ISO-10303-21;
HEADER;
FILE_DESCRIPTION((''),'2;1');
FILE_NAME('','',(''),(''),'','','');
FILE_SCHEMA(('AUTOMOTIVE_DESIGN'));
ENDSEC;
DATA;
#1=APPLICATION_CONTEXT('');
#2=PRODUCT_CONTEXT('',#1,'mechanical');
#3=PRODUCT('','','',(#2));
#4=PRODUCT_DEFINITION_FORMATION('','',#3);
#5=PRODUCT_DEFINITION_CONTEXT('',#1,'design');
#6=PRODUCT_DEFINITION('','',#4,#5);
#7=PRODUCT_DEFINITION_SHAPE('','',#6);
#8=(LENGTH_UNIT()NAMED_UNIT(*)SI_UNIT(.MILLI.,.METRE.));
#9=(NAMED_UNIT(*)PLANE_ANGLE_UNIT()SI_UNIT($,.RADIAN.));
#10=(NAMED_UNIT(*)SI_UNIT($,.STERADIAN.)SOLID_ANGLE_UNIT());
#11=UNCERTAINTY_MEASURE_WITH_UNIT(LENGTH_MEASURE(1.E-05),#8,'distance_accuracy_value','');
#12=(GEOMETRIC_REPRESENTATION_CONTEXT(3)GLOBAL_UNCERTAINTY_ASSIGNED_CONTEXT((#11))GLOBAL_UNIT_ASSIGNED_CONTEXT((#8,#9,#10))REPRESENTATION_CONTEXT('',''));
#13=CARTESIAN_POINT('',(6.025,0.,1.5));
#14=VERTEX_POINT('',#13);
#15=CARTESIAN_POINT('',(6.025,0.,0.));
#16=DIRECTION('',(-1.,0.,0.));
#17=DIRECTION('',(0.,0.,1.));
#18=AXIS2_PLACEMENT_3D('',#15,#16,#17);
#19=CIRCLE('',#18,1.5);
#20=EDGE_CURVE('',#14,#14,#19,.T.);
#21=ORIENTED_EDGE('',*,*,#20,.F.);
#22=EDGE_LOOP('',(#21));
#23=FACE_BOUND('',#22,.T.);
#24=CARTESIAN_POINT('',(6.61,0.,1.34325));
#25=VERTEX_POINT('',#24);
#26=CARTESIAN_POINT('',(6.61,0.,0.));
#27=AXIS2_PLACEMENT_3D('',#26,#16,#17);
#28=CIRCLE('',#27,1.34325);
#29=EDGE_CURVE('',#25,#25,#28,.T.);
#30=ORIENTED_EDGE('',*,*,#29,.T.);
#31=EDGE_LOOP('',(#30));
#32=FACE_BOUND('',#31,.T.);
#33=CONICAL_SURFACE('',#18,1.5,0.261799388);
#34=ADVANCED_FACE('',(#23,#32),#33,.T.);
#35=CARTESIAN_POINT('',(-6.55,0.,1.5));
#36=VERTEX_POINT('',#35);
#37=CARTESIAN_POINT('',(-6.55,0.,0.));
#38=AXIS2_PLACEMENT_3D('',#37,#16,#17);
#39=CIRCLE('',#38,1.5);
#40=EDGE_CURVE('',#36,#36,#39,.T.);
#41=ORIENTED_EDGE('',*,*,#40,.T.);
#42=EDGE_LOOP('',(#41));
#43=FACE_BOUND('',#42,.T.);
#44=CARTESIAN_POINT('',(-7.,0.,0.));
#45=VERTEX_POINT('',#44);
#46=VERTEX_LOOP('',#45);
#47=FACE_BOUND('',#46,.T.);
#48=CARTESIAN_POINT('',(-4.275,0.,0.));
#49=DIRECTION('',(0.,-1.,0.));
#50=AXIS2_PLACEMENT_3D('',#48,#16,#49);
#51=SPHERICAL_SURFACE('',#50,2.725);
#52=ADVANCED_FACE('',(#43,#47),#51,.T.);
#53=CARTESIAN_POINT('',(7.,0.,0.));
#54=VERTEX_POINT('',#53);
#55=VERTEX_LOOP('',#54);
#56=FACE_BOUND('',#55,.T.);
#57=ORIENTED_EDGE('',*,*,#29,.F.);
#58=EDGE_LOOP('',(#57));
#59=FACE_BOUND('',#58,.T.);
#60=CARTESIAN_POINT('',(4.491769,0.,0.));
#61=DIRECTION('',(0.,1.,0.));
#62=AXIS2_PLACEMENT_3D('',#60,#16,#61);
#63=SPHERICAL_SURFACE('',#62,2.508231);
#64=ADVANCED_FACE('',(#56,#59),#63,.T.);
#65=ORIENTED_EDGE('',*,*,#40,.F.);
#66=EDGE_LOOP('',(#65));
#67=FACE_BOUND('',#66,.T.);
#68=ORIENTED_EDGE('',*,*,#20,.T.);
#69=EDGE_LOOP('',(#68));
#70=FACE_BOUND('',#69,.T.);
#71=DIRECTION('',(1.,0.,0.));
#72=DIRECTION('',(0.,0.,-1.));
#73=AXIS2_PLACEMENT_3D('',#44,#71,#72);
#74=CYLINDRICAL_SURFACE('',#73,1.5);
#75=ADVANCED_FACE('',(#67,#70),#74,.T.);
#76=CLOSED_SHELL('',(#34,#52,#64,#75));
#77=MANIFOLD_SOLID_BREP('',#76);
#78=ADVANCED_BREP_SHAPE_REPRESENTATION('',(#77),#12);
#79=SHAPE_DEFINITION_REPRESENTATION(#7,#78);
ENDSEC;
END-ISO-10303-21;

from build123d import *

# Parameters (mm, degrees)
SKETCH2_R           = 1.5
EXTRUDE1_DEPTH      = 7
EXTRUDE1_DEPTH_BACK = 7


with BuildPart() as part:
    # Sketch2 → Extrude1 (new body, two sides)
    with BuildSketch(Plane(origin=(0, 0, 0), x_dir=(0, 0, -1), z_dir=(1, 0, 0))) as extrude1_sk:
        Circle(SKETCH2_R)
    extrude(amount=EXTRUDE1_DEPTH)
    extrude(extrude1_sk.sketch, amount=-EXTRUDE1_DEPTH_BACK)

    # Sketch5 → Cut-Revolve1 (revolve, cut)
    with BuildSketch(Plane.XY):
        with BuildLine():
            Line((6.025, 1.5), (6.025, 2))
            Line((6.025, 2), (7.5, 2))
            Line((7.5, 2), (7.5, 0))
            Line((7.5, 0), (7, 0))
            ThreePointArc((7, 0), (6.90052754, 0.699360389), (6.61, 1.343249722))
            Line((6.61, 1.343249722), (6.025, 1.5))
        make_face()
        with BuildLine():
            Line((-6.55, 1.5), (-6.55, 2))
            Line((-6.55, 2), (-7.5, 2))
            Line((-7.5, 2), (-7.5, 0))
            Line((-7.5, 0), (-7, 0))
            ThreePointArc((-7, 0), (-6.885076627, 0.783022988), (-6.55, 1.5))
        make_face()
    revolve(axis=Axis((-7, 0, 0), (1, 0, 0)), mode=Mode.SUBTRACT)


solid = part.part
